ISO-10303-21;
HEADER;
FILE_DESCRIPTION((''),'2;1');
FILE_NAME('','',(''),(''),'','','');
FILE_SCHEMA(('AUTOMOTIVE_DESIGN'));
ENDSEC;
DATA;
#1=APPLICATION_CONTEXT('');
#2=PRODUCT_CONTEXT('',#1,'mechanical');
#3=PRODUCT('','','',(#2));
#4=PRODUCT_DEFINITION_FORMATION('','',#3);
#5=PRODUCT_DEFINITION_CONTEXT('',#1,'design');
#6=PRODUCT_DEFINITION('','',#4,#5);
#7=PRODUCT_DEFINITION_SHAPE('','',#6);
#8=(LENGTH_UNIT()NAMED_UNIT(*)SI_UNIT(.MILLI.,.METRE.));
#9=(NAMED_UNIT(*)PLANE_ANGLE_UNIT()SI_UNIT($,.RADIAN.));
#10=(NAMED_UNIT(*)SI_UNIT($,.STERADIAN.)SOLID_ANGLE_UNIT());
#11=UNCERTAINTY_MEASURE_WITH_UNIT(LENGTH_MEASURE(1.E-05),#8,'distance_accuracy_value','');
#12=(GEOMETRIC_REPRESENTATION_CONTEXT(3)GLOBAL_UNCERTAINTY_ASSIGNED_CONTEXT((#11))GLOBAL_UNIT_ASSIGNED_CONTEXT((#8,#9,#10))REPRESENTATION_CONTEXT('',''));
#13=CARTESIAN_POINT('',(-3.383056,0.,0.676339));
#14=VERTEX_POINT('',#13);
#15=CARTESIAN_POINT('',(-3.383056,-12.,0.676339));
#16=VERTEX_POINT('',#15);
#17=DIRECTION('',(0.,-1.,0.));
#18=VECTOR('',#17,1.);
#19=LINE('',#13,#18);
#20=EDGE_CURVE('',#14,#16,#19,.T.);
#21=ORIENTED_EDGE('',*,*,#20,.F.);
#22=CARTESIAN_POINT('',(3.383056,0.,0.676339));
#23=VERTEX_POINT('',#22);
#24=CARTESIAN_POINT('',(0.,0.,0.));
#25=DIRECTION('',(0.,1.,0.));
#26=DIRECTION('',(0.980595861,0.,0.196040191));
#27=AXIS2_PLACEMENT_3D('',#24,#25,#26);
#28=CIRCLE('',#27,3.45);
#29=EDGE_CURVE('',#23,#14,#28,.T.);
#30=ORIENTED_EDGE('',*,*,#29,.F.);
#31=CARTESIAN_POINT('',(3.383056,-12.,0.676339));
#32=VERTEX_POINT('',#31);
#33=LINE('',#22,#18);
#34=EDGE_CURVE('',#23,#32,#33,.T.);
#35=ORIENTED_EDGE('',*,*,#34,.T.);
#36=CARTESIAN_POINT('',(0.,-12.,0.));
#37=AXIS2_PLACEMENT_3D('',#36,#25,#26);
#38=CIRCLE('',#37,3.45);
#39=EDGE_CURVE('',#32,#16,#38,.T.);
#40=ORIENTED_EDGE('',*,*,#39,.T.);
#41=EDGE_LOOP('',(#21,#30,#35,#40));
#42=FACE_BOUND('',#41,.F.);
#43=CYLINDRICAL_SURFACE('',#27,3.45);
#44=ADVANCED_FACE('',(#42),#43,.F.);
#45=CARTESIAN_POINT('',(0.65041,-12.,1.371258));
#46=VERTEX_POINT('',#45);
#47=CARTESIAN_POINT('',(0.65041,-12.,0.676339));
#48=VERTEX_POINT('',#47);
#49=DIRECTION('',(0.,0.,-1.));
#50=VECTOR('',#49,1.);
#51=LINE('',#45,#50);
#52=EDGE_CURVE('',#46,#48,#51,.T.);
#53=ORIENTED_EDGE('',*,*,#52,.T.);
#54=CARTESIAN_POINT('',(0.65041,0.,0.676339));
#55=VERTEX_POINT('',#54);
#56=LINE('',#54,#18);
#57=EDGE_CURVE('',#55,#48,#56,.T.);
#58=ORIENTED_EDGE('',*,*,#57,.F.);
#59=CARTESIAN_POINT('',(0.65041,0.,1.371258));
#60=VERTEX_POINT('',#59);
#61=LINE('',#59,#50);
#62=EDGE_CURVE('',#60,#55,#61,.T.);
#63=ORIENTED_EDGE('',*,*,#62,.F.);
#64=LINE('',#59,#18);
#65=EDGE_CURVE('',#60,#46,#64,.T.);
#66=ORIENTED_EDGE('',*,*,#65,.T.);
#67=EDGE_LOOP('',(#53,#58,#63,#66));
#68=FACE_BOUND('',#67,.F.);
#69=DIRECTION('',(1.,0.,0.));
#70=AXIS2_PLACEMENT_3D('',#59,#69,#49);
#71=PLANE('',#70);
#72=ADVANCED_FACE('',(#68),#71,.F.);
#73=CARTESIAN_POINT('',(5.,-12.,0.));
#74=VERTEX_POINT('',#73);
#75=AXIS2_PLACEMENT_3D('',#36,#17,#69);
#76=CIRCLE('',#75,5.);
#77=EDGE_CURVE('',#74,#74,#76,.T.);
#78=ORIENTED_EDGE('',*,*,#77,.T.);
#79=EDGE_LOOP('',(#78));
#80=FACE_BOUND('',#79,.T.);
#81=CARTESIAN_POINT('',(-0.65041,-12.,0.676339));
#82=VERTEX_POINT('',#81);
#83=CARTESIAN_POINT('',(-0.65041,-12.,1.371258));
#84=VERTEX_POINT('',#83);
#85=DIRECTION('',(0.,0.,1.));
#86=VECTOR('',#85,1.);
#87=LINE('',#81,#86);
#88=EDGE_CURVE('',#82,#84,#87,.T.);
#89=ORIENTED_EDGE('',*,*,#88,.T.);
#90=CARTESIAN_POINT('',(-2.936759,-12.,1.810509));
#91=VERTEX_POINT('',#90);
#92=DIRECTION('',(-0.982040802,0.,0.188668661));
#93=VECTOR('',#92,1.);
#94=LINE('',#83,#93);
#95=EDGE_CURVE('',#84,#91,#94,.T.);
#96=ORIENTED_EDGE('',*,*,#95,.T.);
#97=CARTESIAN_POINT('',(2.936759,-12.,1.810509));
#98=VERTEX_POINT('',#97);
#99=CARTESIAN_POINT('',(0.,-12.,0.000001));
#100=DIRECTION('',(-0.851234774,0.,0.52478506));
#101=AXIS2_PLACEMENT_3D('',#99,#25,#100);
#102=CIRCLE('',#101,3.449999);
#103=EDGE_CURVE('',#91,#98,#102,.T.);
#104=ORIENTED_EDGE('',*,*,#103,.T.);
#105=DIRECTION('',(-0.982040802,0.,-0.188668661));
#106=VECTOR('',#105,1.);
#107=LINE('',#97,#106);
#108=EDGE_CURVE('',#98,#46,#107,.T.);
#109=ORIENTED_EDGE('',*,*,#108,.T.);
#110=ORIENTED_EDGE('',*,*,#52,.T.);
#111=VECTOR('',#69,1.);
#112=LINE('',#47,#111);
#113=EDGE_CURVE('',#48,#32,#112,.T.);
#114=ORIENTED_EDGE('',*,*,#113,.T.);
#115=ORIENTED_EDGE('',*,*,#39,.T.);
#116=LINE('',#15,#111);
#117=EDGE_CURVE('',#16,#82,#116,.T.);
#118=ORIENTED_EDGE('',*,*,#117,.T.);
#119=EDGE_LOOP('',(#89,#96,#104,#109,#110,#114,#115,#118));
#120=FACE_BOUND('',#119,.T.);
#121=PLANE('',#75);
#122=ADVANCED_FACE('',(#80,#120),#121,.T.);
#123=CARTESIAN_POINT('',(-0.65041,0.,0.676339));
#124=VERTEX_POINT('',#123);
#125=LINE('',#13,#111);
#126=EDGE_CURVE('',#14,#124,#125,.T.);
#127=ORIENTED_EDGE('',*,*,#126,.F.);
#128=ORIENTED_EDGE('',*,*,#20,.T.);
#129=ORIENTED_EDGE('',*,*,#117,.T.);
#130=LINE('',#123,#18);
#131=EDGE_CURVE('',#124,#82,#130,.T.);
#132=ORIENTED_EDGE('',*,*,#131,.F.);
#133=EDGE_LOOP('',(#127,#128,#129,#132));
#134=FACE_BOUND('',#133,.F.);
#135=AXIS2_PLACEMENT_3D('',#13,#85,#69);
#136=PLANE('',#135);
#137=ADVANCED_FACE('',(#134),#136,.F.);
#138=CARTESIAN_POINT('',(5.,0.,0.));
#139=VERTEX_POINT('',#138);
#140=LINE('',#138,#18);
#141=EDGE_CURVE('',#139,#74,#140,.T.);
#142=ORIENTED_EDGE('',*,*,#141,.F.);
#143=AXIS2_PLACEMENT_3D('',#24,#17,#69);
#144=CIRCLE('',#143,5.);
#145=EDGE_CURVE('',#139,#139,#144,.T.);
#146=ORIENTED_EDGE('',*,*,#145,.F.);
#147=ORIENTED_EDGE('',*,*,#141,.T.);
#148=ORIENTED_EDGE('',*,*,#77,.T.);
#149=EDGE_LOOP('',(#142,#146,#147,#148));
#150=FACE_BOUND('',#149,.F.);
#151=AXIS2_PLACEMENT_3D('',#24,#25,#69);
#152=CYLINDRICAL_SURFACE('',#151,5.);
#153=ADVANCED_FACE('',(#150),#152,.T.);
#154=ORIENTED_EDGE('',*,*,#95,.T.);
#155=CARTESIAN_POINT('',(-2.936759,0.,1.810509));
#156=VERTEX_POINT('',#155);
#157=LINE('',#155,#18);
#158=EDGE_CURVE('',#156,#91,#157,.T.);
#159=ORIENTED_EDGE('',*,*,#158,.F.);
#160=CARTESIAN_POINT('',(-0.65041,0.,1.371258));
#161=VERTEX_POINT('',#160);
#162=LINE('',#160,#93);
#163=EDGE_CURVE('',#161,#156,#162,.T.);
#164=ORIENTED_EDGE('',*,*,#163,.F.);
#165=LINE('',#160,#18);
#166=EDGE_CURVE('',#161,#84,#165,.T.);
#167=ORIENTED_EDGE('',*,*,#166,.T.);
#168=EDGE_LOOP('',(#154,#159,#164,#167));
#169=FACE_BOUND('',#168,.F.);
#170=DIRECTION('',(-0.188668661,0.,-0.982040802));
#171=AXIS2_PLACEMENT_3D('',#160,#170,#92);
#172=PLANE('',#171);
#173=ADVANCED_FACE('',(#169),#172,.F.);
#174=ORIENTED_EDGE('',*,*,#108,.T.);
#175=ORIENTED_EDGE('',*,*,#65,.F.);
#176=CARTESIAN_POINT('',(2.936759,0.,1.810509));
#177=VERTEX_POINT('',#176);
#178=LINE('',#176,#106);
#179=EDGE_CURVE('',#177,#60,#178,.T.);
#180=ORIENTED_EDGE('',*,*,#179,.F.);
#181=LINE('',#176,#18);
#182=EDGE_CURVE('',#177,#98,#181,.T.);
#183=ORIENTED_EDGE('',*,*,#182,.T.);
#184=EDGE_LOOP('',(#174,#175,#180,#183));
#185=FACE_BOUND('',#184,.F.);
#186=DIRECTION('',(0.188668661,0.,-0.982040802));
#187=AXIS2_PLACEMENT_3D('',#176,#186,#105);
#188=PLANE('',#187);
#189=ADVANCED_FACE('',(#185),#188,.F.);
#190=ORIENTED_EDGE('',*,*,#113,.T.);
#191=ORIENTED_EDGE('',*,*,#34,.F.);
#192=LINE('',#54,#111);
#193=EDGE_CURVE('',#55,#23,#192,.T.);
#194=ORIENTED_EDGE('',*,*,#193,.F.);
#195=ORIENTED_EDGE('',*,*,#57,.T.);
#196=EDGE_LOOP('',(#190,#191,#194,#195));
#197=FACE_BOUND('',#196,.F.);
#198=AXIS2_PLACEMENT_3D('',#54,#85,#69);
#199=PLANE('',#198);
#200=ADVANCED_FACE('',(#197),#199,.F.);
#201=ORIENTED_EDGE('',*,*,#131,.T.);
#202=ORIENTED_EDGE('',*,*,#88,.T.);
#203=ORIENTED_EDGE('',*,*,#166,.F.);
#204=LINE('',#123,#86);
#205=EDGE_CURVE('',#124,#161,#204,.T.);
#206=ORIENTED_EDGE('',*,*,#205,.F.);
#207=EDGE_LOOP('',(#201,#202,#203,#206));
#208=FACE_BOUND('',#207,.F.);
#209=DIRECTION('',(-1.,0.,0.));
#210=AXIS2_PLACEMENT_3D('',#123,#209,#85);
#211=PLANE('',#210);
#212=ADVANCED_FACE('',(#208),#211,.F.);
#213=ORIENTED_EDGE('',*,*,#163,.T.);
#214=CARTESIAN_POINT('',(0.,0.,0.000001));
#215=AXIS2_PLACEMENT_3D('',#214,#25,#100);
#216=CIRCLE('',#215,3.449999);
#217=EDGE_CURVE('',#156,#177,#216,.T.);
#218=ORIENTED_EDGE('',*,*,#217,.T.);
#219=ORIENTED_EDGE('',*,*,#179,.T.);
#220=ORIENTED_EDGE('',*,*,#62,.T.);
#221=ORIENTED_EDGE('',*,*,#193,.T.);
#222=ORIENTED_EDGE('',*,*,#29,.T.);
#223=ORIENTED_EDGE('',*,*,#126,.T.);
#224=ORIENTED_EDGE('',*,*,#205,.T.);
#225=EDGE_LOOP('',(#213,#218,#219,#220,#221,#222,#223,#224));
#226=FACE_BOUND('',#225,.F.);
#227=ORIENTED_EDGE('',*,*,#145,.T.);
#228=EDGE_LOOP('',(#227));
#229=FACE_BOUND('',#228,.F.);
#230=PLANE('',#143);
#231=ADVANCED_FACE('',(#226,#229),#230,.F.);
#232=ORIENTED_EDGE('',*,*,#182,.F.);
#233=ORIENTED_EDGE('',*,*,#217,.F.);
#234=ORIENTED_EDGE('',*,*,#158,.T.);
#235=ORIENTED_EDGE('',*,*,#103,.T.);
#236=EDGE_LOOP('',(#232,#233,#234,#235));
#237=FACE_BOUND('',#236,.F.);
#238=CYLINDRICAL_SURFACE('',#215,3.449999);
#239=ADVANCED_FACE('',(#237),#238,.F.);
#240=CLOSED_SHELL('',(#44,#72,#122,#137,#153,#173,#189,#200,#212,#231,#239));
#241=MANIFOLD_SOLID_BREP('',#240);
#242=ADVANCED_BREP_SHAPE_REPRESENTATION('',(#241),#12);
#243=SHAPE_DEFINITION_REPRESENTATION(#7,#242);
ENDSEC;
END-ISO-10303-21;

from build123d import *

# Parameters (mm, degrees)
F0_R     = 5
F1_DEPTH = 12


with BuildPart() as f1:
    # F0 (on Front) → F1 (new body)
    with BuildSketch(Plane.XZ):
        Circle(F0_R)
        with BuildLine():
            Line((0.65041, 1.371258), (0.65041, 0.676339))
            Line((0.65041, 0.676339), (3.383056, 0.676339))
            ThreePointArc((3.383056, 0.676339), (0, -3.45), (-3.383056, 0.676339))
            Line((-3.383056, 0.676339), (-0.65041, 0.676339))
            Line((-0.65041, 0.676339), (-0.65041, 1.371258))
            Line((-0.65041, 1.371258), (-2.936759, 1.810509))
            ThreePointArc((-2.936759, 1.810509), (0, 3.45), (2.936759, 1.810509))
            Line((2.936759, 1.810509), (0.65041, 1.371258))
        make_face(mode=Mode.SUBTRACT)
    extrude(amount=F1_DEPTH)


solid = f1.part
